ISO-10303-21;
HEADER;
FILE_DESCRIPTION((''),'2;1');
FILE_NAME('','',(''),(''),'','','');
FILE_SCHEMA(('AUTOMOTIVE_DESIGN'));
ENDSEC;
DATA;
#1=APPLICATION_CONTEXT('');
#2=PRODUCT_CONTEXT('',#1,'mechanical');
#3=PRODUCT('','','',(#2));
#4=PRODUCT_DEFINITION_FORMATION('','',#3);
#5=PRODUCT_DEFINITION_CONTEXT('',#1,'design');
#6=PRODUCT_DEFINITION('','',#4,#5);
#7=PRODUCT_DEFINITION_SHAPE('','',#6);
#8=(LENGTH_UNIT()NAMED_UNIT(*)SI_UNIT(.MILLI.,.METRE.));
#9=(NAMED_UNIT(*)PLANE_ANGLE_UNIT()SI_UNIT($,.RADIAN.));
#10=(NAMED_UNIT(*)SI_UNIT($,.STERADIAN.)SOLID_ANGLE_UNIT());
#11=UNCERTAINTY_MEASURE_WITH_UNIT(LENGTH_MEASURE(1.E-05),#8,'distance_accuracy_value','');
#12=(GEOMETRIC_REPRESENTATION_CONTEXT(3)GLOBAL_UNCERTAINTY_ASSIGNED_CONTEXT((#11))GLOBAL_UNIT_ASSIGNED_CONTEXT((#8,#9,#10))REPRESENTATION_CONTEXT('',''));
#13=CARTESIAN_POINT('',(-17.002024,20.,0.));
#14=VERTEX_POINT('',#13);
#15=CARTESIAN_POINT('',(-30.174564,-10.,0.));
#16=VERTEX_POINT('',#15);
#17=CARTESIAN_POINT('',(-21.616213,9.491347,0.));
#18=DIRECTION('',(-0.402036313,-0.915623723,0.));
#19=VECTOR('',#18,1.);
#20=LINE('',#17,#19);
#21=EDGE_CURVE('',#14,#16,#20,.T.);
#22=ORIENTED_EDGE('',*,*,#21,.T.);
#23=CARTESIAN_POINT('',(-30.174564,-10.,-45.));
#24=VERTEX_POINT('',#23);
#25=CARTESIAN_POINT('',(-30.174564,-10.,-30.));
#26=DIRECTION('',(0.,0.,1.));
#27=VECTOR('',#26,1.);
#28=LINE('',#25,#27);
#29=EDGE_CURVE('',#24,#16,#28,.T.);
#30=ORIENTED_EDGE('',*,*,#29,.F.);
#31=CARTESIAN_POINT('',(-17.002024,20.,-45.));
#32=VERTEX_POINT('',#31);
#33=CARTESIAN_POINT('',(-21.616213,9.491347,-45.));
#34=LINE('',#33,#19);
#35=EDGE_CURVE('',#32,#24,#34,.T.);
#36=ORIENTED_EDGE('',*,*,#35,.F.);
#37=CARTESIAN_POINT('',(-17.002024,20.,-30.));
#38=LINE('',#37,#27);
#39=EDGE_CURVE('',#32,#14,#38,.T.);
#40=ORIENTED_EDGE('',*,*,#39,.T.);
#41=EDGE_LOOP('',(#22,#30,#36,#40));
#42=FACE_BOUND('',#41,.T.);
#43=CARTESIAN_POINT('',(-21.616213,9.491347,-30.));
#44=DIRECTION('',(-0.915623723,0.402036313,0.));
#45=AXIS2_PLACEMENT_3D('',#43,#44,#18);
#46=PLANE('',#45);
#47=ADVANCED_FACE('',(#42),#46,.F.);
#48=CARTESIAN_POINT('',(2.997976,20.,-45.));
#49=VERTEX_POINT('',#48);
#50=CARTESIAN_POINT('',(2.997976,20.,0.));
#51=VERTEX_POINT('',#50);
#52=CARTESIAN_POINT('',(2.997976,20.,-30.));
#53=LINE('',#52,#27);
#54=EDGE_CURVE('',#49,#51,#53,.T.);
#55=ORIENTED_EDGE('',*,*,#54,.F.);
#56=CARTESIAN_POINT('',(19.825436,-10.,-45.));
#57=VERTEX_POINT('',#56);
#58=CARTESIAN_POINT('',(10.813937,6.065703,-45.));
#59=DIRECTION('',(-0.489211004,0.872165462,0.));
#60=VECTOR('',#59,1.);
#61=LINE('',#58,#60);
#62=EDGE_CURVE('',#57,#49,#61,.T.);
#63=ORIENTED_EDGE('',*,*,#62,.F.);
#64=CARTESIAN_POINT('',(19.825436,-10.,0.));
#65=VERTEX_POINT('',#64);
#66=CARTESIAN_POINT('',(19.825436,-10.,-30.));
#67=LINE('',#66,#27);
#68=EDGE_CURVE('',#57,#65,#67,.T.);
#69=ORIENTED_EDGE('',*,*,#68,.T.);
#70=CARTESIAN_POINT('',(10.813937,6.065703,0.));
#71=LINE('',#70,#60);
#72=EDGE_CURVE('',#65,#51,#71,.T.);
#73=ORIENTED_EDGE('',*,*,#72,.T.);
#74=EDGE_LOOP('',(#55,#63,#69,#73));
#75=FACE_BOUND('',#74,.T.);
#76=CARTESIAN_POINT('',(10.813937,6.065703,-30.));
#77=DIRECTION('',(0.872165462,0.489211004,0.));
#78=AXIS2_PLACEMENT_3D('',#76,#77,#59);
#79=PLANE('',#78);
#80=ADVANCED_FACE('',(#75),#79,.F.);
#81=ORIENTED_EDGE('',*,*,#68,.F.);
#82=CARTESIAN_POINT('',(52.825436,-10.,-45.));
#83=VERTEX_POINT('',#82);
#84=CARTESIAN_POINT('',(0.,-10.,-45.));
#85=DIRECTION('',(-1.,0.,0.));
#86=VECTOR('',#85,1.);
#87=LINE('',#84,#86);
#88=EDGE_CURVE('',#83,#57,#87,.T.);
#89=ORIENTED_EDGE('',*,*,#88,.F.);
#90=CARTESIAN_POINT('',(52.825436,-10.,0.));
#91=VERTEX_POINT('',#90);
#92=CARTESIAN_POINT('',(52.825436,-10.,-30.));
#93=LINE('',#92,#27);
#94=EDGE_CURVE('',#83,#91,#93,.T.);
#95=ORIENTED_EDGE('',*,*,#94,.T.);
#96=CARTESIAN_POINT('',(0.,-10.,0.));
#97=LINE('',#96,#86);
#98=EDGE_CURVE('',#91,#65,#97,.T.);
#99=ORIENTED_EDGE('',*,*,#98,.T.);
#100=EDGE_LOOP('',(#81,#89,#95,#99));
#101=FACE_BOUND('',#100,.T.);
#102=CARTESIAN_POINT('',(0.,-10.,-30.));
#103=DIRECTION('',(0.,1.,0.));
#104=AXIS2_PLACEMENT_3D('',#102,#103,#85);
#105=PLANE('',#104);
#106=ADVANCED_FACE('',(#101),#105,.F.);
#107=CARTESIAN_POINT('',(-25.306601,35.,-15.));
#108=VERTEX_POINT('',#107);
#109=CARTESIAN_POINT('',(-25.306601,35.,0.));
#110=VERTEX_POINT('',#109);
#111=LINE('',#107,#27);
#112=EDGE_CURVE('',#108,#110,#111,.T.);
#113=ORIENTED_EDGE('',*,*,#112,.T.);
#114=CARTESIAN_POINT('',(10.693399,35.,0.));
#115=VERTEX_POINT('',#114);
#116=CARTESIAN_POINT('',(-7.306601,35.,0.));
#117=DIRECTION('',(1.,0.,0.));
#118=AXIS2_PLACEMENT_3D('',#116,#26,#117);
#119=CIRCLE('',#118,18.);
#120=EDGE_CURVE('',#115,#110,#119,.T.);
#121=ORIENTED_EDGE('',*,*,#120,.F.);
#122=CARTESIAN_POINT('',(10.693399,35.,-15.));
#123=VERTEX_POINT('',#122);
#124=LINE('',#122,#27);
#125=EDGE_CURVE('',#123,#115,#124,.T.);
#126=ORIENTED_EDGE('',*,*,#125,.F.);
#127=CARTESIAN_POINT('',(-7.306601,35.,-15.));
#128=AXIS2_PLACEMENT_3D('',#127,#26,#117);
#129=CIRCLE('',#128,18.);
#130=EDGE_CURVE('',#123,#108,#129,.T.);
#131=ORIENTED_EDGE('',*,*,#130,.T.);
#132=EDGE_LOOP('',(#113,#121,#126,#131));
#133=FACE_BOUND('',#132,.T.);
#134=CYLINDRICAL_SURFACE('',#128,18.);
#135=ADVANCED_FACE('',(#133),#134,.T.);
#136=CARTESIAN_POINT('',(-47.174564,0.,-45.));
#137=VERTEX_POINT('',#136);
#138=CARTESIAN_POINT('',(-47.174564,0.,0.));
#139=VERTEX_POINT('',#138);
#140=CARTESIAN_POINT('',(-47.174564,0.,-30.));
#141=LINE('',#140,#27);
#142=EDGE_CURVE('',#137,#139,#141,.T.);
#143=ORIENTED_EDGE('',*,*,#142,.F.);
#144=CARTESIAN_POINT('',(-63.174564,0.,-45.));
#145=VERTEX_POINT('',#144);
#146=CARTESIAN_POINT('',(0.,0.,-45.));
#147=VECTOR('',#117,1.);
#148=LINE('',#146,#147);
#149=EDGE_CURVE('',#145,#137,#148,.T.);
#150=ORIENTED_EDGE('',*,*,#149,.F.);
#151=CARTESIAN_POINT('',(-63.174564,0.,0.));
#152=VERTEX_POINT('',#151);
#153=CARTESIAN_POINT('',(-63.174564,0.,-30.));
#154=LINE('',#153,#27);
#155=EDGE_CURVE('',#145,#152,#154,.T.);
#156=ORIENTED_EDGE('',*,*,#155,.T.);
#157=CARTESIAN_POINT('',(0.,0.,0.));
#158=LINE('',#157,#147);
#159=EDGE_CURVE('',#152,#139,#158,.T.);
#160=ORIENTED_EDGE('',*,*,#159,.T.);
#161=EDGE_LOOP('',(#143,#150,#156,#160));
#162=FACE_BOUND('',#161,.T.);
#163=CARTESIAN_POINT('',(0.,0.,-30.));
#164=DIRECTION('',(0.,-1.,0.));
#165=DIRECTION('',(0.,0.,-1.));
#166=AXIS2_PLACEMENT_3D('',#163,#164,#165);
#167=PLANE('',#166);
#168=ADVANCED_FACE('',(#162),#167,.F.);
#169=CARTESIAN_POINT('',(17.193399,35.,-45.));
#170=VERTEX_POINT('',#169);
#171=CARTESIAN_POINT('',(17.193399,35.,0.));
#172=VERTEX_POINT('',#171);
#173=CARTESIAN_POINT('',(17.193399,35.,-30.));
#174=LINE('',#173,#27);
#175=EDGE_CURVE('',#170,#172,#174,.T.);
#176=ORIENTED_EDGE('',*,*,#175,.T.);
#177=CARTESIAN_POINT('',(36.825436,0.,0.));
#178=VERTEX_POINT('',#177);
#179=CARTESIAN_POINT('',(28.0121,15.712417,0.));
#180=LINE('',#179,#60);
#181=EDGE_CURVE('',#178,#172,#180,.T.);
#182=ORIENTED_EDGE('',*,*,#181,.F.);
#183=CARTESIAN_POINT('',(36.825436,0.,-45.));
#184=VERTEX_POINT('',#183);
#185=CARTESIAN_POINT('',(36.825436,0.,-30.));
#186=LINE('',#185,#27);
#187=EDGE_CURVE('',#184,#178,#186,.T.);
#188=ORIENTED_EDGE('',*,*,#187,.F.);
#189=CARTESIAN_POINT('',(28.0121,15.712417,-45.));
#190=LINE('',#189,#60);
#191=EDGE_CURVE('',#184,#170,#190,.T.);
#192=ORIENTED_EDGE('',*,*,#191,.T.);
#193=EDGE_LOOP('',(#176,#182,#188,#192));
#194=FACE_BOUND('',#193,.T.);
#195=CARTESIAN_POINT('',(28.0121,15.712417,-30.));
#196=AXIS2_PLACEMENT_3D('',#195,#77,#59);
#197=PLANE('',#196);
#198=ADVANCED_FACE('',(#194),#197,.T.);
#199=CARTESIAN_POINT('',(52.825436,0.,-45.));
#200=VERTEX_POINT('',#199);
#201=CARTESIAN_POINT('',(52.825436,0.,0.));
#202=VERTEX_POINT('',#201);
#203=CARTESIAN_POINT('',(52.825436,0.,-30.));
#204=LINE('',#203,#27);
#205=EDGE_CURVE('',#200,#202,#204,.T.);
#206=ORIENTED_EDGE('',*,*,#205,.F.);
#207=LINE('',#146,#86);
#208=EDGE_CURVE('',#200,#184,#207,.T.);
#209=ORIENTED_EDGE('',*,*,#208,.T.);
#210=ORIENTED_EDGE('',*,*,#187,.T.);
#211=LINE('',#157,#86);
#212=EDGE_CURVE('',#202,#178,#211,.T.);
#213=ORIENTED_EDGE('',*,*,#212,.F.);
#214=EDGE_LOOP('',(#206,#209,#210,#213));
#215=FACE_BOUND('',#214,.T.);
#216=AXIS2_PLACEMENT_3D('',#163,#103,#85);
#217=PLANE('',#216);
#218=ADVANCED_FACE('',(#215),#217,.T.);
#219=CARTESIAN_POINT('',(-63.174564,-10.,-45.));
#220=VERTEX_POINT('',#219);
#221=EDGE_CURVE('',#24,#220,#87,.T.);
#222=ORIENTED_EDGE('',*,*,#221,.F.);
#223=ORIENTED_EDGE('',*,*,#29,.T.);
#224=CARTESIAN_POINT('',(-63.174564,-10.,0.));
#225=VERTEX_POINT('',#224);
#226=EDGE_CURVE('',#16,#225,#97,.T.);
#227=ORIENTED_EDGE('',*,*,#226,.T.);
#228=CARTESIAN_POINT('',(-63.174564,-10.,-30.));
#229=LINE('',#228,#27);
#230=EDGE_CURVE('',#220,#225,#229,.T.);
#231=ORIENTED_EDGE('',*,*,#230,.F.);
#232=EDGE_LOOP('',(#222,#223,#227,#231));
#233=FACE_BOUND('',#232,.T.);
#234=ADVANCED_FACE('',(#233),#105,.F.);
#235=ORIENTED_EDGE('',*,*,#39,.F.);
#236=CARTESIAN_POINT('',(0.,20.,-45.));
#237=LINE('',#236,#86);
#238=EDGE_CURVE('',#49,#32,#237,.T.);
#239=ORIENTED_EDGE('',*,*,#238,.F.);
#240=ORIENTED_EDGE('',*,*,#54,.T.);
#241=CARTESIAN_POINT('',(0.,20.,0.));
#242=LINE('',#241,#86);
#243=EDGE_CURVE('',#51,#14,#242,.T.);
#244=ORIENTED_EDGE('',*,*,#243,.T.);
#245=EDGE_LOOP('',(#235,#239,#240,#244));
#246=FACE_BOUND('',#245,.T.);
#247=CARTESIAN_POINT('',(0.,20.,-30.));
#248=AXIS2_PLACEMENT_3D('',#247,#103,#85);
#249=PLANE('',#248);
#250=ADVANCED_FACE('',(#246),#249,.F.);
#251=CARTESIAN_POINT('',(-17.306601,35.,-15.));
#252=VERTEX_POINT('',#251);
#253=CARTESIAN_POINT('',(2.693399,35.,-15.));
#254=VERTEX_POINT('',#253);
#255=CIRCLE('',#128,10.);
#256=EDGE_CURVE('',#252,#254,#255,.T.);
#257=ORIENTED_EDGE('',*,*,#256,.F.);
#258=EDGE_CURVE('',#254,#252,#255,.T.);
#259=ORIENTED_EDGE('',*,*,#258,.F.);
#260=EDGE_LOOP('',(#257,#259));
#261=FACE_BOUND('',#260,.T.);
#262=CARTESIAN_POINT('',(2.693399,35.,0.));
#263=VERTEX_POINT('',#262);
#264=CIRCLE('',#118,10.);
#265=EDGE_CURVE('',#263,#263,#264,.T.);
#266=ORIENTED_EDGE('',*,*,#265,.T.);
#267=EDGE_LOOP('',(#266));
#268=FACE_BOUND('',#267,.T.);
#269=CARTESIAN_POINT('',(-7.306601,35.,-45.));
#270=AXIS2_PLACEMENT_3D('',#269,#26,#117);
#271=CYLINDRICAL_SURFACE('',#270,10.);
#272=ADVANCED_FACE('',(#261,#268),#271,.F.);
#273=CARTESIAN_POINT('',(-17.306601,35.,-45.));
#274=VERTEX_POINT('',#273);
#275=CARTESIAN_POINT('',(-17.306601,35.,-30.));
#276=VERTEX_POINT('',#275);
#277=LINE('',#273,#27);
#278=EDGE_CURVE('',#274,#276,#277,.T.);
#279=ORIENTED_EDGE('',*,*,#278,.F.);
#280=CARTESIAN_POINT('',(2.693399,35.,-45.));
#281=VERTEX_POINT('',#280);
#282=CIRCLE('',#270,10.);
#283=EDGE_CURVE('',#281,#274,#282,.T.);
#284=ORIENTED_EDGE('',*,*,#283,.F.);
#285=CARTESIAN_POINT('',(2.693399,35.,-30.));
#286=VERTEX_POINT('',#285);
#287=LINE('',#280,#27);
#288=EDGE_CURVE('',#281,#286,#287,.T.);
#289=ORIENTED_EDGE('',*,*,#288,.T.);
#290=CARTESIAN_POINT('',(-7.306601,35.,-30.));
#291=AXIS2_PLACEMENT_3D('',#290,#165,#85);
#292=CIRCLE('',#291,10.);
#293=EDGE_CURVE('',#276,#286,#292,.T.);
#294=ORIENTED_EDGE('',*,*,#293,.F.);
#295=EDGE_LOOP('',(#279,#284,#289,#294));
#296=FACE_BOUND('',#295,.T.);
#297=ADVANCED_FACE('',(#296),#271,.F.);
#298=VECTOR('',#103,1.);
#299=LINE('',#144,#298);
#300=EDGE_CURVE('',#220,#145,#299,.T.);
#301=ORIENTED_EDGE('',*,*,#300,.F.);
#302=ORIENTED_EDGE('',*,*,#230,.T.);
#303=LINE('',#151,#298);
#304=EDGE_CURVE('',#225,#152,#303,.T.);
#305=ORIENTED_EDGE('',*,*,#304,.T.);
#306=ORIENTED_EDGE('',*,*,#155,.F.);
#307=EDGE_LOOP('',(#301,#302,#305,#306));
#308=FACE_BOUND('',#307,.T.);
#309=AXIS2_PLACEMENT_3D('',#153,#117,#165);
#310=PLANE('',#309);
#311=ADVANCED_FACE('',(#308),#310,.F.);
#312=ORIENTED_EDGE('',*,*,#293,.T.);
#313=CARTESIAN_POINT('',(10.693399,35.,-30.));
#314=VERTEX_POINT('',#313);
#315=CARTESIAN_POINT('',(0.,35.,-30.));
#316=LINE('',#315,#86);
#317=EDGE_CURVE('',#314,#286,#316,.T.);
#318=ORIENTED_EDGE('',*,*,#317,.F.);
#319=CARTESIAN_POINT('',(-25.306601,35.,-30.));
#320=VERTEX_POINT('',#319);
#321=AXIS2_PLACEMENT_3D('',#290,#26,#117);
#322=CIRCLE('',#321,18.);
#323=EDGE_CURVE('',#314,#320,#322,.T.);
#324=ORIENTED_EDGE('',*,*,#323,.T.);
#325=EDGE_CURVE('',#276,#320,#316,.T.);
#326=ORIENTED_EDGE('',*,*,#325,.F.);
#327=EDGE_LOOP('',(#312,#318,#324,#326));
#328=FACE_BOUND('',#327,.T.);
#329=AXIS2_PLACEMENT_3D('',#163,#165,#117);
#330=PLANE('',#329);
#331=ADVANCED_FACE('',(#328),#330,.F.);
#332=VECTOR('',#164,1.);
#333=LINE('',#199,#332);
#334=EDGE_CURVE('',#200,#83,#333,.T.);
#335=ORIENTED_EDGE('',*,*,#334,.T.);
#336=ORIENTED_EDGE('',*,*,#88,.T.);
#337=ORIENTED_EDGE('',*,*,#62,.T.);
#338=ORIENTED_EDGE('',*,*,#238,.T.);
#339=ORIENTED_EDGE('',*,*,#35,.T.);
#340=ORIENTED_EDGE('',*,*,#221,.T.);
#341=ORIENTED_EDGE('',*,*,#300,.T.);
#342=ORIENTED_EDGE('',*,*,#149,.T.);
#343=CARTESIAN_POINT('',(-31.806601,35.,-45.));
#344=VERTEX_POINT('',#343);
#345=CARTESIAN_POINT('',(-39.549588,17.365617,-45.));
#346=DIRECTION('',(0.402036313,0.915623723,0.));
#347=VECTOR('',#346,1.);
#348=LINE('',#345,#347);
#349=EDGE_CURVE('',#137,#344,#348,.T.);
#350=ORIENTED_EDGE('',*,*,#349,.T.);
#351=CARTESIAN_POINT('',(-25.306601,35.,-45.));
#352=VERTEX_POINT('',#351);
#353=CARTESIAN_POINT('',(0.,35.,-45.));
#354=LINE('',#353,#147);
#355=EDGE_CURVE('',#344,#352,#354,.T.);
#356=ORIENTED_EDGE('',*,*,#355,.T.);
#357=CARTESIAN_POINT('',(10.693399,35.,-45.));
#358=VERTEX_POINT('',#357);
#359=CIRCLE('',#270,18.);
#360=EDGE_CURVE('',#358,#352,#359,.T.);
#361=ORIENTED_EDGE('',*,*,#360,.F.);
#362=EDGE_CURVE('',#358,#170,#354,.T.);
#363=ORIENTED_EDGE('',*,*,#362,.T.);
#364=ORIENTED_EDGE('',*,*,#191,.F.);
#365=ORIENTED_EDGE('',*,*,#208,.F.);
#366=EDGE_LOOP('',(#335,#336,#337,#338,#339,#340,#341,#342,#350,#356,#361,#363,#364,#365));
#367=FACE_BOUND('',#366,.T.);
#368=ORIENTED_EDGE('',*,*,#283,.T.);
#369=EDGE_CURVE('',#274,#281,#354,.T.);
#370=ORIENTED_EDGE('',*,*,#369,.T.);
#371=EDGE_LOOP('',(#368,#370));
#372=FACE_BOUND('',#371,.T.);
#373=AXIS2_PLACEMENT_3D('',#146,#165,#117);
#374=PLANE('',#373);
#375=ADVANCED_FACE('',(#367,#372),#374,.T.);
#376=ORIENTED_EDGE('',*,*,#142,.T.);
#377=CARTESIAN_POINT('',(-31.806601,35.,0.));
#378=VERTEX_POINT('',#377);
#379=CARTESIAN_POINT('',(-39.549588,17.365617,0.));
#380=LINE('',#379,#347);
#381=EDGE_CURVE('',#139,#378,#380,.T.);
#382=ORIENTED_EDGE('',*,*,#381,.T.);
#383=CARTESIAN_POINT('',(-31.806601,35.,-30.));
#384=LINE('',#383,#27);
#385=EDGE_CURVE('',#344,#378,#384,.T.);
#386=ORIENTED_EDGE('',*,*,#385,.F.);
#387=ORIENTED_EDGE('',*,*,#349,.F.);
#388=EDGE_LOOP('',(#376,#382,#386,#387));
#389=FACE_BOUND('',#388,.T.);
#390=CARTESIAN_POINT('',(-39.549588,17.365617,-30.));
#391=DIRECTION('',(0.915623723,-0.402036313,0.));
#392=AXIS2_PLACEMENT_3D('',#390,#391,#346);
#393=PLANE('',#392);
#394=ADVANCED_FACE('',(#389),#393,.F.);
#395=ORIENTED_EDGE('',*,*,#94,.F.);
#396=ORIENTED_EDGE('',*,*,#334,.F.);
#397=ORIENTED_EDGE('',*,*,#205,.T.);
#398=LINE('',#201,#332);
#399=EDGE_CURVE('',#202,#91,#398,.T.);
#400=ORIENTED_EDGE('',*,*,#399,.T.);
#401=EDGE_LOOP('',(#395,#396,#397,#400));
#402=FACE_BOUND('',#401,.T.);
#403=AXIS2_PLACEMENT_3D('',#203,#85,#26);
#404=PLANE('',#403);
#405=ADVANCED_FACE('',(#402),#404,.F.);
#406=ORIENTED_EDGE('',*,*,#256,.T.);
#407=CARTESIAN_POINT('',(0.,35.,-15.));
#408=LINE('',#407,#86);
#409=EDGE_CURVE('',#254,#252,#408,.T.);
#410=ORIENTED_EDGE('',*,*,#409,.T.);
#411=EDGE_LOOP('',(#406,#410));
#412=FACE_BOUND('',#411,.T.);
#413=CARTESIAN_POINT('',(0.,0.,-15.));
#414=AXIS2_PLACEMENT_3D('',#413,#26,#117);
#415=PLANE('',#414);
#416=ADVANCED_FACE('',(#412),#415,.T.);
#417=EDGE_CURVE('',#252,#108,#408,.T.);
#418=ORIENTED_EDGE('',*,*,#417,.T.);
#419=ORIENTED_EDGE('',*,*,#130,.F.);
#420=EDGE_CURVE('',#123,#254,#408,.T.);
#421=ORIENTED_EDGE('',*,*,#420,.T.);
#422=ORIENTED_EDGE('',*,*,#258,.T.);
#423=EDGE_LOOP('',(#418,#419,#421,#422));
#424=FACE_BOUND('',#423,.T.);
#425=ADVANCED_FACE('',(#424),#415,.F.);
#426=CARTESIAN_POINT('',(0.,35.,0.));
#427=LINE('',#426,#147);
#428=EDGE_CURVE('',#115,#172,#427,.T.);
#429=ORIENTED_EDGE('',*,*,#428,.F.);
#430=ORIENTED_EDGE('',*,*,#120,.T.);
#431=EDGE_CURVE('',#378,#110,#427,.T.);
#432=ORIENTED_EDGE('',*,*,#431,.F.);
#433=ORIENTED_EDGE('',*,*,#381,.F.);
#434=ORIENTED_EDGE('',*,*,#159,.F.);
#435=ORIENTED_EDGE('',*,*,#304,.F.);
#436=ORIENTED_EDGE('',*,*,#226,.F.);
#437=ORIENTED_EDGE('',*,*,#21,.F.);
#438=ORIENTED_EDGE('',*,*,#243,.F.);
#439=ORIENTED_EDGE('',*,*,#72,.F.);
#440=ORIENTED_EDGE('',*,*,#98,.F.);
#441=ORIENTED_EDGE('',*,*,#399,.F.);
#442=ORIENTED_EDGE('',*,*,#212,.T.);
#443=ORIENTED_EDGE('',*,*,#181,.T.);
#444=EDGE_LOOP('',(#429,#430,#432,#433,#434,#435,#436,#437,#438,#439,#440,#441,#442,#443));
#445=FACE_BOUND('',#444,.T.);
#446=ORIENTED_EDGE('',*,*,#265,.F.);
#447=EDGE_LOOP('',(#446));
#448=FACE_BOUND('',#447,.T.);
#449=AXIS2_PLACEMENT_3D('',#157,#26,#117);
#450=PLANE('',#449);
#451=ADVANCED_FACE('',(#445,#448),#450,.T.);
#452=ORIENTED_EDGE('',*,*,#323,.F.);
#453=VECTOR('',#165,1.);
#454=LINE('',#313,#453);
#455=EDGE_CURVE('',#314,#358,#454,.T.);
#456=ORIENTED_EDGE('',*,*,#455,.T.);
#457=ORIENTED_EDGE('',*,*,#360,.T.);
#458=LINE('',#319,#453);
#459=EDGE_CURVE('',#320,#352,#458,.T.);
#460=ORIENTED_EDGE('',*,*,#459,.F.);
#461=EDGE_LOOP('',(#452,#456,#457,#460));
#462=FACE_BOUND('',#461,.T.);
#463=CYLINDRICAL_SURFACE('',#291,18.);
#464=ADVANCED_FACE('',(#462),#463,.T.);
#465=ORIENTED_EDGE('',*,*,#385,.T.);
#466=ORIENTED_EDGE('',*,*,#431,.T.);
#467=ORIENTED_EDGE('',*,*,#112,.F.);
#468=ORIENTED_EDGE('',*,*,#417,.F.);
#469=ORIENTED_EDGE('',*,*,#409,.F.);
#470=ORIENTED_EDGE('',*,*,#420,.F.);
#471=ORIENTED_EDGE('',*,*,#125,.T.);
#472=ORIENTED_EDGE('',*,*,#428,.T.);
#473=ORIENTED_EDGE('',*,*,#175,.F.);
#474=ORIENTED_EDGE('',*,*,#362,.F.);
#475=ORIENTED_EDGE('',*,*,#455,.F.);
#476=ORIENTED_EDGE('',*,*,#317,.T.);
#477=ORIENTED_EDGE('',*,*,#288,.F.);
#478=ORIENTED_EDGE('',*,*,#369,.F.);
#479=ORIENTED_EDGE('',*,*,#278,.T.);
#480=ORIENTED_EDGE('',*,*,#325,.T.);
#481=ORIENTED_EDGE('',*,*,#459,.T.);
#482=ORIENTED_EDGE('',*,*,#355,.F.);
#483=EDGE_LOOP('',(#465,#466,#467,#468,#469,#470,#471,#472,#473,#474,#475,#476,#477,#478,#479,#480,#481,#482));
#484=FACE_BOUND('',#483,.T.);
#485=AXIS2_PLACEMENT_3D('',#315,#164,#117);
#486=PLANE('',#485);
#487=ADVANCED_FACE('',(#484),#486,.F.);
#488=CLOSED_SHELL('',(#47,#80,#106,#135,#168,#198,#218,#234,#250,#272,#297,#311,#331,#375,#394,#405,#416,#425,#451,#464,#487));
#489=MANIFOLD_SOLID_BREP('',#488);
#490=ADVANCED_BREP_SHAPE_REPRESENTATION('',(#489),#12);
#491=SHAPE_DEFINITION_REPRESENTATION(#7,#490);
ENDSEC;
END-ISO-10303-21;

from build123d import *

# Parameters (mm, degrees)
BOSS_EXTRUDE2_DEPTH = 30
BOSS_EXTRUDE4_DEPTH = 15
CUT_EXTRUDE1_DEPTH  = 94.941606783
CUT_EXTRUDE2_DEPTH  = 15


with BuildPart() as part:
    # Sketch1 → Boss-Extrude2 (new body)
    with BuildSketch(Plane.XY):
        Polygon((52.825436409, -10), (52.825436409, 0), (36.825436409, 0), (17.193398817, 35), (-31.806601183, 35), (-47.174563591, 0), (-63.174563591, 0), (-63.174563591, -10), (-30.174563591, -10), (-17.002024384, 20), (2.997975616, 20), (19.825436409, -10), align=None)
    boss_extrude2 = extrude(amount=-BOSS_EXTRUDE2_DEPTH)

    # Sketch4 → Boss-Extrude4 (add)
    with BuildSketch(Plane.XY):
        with BuildLine():
            ThreePointArc((10.693398817, 35), (-7.306601183, 53), (-25.306601183, 35))
            Line((-25.306601183, 35), (10.693398817, 35))
        make_face()
    boss_extrude4 = extrude(amount=-BOSS_EXTRUDE4_DEPTH)

    # Mirror1: Boss-Extrude2, Boss-Extrude4 across plane
    add(boss_extrude2.mirror(Plane(origin=(0, 0, -22.5), x_dir=(1, 0, 0), z_dir=(0, 0, -1))))
    add(boss_extrude4.mirror(Plane(origin=(0, 0, -22.5), x_dir=(1, 0, 0), z_dir=(0, 0, -1))))

    # Sketch5 → Cut-Extrude1 (cut, through all)
    with BuildSketch(Plane.XY):
        with BuildLine():
            ThreePointArc((2.693398817, 35), (-7.306601183, 45), (-17.306601183, 35))
            Line((-17.306601183, 35), (2.693398817, 35))
        make_face()
    extrude(amount=-CUT_EXTRUDE1_DEPTH, mode=Mode.SUBTRACT)

    # Sketch6 → Cut-Extrude2 (cut)
    with BuildSketch(Plane.XY):
        with BuildLine():
            ThreePointArc((2.693398817, 35), (-7.306601183, 45), (-17.306601183, 35))
            Line((-17.306601183, 35), (2.693398817, 35))
        make_face()
        with BuildLine():
            Line((2.693398817, 35), (-17.306601183, 35))
            ThreePointArc((-17.306601183, 35), (-7.306601183, 25), (2.693398817, 35))
        make_face()
    extrude(amount=-CUT_EXTRUDE2_DEPTH, mode=Mode.SUBTRACT)


solid = part.part
